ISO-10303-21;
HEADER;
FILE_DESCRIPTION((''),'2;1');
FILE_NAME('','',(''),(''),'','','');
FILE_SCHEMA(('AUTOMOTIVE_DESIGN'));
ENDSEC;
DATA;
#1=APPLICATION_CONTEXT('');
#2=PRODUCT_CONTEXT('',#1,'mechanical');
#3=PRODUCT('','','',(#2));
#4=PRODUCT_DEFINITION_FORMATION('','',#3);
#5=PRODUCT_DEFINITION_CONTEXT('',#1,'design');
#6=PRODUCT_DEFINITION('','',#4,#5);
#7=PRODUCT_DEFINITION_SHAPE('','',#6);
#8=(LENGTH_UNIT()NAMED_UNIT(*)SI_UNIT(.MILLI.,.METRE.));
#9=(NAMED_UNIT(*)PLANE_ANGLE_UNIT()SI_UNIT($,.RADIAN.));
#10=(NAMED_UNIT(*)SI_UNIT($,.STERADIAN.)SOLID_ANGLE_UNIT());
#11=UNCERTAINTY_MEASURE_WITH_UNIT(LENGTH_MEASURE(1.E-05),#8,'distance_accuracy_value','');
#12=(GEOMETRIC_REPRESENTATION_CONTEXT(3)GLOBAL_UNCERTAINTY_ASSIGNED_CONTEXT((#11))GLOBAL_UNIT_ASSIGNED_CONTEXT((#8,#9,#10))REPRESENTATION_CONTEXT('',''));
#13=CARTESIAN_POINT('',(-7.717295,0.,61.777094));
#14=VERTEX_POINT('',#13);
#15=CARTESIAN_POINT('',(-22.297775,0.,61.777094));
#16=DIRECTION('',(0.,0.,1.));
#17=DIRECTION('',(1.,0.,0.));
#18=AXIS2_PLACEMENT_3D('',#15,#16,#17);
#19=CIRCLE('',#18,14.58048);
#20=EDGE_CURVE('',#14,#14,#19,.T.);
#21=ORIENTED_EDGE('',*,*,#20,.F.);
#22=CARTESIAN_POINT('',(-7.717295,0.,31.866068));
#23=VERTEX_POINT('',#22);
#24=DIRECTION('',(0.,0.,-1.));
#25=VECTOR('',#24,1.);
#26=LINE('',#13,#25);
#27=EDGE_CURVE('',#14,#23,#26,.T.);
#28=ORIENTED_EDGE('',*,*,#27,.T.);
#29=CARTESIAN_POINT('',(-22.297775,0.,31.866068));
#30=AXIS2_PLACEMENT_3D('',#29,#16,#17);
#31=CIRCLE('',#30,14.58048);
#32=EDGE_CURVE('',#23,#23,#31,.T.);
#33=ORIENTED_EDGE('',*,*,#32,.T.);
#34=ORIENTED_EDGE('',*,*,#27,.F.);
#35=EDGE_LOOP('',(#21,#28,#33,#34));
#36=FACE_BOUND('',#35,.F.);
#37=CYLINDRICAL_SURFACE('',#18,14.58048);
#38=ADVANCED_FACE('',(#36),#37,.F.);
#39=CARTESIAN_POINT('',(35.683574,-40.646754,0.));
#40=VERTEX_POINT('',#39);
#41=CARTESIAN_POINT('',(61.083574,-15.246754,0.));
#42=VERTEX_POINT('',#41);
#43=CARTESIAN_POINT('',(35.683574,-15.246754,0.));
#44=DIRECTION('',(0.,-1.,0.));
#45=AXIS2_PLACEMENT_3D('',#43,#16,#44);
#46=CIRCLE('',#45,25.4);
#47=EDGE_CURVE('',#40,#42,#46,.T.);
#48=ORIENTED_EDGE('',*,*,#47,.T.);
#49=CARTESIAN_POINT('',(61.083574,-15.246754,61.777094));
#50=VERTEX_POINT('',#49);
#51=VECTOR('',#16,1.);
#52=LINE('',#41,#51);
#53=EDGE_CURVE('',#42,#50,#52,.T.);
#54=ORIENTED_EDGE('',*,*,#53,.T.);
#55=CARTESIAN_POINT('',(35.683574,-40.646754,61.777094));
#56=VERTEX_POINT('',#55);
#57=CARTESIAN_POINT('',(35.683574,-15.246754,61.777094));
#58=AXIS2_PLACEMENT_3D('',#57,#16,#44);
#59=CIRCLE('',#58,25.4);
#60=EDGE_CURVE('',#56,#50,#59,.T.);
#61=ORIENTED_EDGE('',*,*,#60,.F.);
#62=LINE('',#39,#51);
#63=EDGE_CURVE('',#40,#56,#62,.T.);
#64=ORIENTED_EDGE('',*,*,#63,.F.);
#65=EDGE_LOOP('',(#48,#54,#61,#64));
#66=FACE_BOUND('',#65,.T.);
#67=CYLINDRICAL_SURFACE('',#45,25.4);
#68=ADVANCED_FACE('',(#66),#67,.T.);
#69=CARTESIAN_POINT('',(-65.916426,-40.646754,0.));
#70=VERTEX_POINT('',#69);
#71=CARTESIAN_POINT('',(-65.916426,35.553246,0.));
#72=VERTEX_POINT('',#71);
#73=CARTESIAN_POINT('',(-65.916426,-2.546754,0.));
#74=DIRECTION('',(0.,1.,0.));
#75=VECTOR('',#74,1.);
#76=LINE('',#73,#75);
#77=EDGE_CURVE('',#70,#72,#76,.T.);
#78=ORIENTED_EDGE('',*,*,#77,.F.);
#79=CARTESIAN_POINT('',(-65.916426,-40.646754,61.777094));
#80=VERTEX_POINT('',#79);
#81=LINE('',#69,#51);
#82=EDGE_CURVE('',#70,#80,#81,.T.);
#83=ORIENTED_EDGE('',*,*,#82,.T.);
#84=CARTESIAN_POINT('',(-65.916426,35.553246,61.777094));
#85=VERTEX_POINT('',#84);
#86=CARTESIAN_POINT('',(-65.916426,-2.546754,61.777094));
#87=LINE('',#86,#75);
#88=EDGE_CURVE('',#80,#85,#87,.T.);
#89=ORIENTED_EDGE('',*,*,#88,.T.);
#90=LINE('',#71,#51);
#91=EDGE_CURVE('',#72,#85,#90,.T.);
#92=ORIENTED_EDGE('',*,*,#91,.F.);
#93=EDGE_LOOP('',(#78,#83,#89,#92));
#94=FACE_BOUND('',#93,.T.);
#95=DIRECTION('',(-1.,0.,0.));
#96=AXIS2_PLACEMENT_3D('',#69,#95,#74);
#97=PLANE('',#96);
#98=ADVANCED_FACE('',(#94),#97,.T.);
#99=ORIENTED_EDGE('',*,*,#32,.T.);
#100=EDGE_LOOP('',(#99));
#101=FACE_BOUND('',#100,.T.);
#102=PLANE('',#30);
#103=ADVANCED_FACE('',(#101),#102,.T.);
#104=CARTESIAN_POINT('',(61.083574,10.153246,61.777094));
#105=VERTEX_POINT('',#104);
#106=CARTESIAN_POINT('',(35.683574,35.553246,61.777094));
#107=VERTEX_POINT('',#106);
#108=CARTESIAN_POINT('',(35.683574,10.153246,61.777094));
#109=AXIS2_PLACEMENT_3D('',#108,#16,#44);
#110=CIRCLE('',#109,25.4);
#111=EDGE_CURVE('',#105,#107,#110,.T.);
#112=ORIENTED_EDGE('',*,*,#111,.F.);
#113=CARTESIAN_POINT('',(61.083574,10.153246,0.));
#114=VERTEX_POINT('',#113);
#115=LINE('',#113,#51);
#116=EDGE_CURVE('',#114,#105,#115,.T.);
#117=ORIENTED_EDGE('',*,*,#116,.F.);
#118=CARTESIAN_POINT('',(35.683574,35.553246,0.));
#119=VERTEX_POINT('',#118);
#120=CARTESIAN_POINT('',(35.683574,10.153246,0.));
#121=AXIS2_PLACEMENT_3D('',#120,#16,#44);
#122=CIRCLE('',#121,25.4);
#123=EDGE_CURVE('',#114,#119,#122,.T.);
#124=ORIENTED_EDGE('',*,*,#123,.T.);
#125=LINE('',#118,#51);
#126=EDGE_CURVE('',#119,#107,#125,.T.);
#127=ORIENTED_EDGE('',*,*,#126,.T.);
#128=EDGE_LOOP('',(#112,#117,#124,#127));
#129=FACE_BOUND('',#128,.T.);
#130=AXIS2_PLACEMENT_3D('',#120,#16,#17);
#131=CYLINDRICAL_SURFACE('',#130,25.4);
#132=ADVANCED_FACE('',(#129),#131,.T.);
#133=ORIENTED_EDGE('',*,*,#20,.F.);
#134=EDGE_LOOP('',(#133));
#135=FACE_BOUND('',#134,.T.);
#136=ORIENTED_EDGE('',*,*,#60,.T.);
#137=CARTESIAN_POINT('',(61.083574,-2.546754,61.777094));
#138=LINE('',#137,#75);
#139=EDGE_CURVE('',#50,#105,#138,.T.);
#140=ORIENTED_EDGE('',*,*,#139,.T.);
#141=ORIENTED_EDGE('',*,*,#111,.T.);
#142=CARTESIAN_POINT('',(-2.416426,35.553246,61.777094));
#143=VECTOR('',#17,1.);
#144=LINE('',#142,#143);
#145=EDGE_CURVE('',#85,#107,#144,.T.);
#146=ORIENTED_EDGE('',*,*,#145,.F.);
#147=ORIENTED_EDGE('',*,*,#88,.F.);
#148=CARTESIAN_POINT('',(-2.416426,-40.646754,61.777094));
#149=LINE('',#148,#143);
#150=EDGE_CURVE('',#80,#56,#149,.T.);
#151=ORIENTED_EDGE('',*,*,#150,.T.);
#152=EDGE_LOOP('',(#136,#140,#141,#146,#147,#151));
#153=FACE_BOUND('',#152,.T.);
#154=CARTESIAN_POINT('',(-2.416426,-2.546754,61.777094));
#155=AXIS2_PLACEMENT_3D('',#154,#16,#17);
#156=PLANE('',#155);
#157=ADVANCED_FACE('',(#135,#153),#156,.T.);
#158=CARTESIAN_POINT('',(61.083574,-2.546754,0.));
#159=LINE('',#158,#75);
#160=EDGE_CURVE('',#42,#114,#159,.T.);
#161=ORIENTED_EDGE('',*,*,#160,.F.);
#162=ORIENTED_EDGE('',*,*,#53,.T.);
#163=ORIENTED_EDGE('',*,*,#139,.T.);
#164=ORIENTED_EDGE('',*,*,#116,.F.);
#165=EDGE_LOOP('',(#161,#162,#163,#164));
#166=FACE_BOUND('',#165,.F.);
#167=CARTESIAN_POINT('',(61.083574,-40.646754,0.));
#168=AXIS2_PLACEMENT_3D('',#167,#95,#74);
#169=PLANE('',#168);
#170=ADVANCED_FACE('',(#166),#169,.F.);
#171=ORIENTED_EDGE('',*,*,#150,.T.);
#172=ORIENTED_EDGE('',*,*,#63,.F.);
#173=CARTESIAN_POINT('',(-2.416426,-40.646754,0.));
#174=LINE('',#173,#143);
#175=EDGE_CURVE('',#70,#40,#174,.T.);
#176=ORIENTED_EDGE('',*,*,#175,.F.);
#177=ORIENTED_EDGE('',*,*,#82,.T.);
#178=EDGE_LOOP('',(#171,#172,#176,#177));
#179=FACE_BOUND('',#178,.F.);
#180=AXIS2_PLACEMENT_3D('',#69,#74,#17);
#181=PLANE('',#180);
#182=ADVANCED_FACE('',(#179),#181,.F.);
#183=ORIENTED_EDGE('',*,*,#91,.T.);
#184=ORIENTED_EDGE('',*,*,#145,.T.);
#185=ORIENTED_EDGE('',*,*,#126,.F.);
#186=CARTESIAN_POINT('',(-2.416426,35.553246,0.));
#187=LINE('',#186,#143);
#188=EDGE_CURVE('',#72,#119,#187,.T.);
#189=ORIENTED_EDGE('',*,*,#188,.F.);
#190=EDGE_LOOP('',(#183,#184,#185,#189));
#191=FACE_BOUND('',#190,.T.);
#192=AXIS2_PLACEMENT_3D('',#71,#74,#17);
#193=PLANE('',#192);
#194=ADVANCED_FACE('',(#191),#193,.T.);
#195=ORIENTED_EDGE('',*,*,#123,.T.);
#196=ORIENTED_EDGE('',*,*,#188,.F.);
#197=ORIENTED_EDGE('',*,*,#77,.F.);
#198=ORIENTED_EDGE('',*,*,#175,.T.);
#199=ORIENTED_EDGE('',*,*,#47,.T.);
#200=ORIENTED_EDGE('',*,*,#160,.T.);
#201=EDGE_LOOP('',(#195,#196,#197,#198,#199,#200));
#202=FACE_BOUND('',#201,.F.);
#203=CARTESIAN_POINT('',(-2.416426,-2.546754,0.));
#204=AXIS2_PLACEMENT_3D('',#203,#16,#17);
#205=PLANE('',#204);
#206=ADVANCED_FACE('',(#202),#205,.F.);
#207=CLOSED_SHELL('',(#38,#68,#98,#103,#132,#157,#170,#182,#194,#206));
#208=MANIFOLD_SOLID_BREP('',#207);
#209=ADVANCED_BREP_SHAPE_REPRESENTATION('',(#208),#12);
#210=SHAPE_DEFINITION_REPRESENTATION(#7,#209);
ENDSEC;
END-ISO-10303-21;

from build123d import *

# Parameters (mm, degrees)
F0_W     = 127
F0_H     = 76.2
F1_DEPTH = 61.777094
F2_R     = 25.4
F3_R     = 14.58048
F4_DEPTH = 29.911026


with BuildPart() as f1:
    # F0 (on Top) → F1 (new body)
    with BuildSketch(Plane.XY):
        with Locations((-2.416426, -2.546754)):
            Rectangle(F0_W, F0_H)
    extrude(amount=F1_DEPTH)

    # F2
    f2_edges = [f1.edges().sort_by_distance(p)[0] for p in [
        (61.083574, -40.646754, 30.888547),
        (61.083574, 35.553246, 30.888547),
    ]]
    fillet(f2_edges, radius=F2_R)

    # F3 (on face) → F4 (cut)
    with BuildSketch(Plane.XY.offset(61.777094)):
        with Locations((-22.297775, 0)):
            Circle(F3_R)
    extrude(amount=-F4_DEPTH, mode=Mode.SUBTRACT)


solid = f1.part
